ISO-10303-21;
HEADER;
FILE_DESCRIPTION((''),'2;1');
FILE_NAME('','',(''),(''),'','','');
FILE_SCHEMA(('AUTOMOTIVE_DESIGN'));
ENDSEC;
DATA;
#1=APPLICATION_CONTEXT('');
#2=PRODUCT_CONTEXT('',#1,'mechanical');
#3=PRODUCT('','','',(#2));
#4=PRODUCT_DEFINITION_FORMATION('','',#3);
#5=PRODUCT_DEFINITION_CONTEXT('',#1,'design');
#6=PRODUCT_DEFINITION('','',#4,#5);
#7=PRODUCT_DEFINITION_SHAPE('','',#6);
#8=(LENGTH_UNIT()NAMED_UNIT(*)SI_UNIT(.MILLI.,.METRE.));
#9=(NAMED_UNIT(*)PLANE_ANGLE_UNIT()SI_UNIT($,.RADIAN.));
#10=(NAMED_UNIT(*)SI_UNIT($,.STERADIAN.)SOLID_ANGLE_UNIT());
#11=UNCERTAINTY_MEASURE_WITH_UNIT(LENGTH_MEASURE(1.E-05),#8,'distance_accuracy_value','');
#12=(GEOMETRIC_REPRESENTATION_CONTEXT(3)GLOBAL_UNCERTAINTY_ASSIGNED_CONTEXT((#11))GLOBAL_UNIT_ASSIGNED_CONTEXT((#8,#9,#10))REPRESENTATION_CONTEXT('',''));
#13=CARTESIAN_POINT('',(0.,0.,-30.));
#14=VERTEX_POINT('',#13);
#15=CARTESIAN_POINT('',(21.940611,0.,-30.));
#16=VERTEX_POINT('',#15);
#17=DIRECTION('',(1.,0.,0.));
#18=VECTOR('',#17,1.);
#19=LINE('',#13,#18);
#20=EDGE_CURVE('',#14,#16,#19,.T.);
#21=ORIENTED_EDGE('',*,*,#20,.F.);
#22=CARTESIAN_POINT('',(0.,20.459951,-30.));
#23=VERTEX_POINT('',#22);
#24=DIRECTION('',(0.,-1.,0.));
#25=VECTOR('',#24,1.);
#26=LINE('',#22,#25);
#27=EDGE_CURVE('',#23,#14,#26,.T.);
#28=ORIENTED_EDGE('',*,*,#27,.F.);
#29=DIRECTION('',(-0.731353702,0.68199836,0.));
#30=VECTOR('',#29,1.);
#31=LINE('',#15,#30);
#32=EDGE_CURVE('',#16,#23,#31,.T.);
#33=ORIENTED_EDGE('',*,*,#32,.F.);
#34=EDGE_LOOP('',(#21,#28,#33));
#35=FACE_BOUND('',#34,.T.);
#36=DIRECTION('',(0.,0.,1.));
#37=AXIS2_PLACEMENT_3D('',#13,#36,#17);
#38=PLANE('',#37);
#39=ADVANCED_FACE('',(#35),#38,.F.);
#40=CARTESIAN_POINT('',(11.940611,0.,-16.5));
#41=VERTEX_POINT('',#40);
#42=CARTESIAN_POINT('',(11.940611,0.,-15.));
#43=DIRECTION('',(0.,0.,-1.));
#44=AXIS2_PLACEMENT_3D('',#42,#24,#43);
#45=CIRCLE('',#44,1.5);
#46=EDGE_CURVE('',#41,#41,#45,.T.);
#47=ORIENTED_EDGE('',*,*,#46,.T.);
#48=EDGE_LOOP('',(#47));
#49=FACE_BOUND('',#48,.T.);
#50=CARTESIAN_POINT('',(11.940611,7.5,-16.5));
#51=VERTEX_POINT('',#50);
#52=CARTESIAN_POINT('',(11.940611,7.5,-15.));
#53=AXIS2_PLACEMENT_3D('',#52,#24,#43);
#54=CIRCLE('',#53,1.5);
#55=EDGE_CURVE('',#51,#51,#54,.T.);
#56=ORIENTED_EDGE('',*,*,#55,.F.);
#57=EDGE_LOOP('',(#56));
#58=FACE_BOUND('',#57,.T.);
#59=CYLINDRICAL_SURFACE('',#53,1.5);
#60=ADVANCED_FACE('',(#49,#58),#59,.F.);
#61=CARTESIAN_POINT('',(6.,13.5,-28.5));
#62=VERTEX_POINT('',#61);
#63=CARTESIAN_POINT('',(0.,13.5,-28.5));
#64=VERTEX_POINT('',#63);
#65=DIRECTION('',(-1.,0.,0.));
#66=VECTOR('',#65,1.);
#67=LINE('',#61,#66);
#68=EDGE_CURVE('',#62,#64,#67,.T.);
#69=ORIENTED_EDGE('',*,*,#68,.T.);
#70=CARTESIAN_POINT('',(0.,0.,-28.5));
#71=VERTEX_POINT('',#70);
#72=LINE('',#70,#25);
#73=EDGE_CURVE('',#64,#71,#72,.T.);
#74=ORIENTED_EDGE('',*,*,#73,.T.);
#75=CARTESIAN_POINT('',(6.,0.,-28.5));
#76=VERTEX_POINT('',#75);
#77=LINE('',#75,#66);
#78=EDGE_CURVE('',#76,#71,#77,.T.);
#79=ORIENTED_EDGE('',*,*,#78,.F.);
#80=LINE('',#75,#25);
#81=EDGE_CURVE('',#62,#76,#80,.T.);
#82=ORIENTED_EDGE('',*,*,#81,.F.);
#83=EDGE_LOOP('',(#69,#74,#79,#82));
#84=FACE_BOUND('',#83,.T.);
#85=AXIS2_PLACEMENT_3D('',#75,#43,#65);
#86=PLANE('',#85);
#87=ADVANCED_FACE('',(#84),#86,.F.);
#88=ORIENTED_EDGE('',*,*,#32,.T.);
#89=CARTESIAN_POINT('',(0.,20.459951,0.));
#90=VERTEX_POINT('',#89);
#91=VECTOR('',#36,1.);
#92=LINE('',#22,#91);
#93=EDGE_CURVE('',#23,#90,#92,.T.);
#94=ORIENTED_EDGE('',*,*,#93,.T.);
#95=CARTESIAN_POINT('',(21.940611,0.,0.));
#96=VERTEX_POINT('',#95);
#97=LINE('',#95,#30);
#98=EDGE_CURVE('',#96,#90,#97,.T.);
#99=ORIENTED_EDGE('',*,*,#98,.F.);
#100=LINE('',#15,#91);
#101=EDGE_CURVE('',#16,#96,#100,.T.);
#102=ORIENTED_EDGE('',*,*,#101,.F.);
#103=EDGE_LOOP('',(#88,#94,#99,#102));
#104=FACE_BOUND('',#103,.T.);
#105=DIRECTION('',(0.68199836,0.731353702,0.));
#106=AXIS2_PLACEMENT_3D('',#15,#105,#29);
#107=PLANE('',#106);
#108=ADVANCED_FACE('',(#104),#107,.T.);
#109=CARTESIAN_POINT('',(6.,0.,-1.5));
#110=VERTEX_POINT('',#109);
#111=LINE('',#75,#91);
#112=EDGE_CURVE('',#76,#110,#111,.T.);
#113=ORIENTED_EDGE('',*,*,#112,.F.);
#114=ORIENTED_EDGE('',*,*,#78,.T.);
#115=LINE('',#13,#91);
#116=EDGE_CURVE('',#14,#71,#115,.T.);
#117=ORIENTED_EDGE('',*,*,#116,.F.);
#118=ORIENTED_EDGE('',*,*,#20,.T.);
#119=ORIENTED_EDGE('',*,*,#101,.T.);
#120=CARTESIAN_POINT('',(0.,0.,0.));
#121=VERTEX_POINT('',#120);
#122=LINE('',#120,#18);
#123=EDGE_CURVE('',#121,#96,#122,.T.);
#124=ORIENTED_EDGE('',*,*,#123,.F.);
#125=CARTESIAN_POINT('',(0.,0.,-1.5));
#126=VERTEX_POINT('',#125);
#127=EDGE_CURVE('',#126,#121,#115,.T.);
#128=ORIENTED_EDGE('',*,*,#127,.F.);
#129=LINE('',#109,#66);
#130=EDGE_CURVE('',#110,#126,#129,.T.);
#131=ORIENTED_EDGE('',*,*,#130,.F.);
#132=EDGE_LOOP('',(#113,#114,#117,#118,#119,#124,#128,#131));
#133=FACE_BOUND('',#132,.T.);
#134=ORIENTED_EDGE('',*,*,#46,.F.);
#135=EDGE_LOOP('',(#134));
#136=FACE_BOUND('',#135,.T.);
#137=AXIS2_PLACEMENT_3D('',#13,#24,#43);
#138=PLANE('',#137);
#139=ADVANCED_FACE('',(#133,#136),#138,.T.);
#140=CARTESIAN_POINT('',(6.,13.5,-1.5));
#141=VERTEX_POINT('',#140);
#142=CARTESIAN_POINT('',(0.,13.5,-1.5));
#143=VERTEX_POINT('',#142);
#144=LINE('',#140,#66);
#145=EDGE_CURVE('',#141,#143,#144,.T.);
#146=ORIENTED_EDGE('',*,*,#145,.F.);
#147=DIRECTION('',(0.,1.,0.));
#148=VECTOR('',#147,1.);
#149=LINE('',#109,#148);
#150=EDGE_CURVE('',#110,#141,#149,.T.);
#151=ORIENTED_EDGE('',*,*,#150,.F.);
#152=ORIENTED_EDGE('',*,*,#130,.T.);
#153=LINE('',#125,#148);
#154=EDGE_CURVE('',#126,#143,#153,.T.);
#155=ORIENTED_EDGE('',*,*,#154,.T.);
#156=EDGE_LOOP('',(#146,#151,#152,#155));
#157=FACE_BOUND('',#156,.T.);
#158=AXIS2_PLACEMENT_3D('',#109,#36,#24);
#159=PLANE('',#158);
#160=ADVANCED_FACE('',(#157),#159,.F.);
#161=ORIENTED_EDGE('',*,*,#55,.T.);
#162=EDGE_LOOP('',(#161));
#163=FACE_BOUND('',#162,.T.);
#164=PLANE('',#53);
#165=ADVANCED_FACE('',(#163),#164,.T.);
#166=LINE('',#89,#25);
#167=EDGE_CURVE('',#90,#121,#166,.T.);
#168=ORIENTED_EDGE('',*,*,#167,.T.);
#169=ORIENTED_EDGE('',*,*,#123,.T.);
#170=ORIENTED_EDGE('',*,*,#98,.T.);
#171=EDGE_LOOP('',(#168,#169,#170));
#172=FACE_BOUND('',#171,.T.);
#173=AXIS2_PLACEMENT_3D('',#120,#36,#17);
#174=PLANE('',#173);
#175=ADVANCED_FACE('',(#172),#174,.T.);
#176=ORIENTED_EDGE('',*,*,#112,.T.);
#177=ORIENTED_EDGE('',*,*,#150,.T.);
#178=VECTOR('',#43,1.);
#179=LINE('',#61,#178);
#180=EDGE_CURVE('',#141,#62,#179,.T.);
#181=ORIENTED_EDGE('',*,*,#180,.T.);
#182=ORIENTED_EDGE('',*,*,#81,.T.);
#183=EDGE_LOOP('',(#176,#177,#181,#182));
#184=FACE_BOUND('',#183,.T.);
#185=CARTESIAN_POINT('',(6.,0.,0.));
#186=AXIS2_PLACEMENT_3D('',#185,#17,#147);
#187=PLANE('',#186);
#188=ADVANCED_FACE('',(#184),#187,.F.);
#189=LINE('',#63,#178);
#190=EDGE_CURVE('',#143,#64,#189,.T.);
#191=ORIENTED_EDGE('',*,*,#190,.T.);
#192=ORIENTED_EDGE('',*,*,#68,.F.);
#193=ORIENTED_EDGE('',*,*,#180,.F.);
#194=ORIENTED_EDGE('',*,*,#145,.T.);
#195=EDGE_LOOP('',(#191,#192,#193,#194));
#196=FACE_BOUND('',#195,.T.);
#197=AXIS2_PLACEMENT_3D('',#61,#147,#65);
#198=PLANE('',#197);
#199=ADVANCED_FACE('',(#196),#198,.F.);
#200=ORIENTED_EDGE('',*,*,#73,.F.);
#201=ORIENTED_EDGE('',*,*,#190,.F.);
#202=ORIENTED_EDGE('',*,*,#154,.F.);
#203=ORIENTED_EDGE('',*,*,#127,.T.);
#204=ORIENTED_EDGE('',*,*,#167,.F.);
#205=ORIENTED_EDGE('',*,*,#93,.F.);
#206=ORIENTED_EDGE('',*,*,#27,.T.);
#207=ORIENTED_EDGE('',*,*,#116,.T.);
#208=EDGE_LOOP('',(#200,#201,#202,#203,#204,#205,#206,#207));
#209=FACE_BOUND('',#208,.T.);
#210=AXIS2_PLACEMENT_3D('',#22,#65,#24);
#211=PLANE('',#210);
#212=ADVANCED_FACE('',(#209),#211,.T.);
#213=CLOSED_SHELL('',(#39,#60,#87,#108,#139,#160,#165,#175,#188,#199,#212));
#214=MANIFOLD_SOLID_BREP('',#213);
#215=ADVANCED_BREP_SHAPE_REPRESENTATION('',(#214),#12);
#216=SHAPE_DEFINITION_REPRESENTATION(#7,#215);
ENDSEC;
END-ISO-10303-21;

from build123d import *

# Parameters (mm, degrees)
BOSS_EXTRUDE1_DEPTH = 30
SKETCH3_R           = 1.5
CUT_EXTRUDE1_DEPTH  = 7.5
SKETCH6_W           = 27
SKETCH6_H           = 13.5
CUT_EXTRUDE2_DEPTH  = 6


with BuildPart() as part:
    # Sketch1 → Boss-Extrude1 (new body)
    with BuildSketch(Plane.XY):
        Polygon((0, 0), (21.940611049, 0), (0, 20.459950802), align=None)
    extrude(amount=-BOSS_EXTRUDE1_DEPTH)

    # Sketch3 → Cut-Extrude1 (cut)
    with BuildSketch(Plane.XZ):
        with Locations((11.940611049, -15)):
            Circle(SKETCH3_R)
    extrude(amount=-CUT_EXTRUDE1_DEPTH, mode=Mode.SUBTRACT)

    # Sketch6 → Cut-Extrude2 (cut)
    with BuildSketch(Plane.ZY):
        with Locations((-15, 6.75)):
            Rectangle(SKETCH6_W, SKETCH6_H)
    extrude(amount=-CUT_EXTRUDE2_DEPTH, mode=Mode.SUBTRACT)


solid = part.part
